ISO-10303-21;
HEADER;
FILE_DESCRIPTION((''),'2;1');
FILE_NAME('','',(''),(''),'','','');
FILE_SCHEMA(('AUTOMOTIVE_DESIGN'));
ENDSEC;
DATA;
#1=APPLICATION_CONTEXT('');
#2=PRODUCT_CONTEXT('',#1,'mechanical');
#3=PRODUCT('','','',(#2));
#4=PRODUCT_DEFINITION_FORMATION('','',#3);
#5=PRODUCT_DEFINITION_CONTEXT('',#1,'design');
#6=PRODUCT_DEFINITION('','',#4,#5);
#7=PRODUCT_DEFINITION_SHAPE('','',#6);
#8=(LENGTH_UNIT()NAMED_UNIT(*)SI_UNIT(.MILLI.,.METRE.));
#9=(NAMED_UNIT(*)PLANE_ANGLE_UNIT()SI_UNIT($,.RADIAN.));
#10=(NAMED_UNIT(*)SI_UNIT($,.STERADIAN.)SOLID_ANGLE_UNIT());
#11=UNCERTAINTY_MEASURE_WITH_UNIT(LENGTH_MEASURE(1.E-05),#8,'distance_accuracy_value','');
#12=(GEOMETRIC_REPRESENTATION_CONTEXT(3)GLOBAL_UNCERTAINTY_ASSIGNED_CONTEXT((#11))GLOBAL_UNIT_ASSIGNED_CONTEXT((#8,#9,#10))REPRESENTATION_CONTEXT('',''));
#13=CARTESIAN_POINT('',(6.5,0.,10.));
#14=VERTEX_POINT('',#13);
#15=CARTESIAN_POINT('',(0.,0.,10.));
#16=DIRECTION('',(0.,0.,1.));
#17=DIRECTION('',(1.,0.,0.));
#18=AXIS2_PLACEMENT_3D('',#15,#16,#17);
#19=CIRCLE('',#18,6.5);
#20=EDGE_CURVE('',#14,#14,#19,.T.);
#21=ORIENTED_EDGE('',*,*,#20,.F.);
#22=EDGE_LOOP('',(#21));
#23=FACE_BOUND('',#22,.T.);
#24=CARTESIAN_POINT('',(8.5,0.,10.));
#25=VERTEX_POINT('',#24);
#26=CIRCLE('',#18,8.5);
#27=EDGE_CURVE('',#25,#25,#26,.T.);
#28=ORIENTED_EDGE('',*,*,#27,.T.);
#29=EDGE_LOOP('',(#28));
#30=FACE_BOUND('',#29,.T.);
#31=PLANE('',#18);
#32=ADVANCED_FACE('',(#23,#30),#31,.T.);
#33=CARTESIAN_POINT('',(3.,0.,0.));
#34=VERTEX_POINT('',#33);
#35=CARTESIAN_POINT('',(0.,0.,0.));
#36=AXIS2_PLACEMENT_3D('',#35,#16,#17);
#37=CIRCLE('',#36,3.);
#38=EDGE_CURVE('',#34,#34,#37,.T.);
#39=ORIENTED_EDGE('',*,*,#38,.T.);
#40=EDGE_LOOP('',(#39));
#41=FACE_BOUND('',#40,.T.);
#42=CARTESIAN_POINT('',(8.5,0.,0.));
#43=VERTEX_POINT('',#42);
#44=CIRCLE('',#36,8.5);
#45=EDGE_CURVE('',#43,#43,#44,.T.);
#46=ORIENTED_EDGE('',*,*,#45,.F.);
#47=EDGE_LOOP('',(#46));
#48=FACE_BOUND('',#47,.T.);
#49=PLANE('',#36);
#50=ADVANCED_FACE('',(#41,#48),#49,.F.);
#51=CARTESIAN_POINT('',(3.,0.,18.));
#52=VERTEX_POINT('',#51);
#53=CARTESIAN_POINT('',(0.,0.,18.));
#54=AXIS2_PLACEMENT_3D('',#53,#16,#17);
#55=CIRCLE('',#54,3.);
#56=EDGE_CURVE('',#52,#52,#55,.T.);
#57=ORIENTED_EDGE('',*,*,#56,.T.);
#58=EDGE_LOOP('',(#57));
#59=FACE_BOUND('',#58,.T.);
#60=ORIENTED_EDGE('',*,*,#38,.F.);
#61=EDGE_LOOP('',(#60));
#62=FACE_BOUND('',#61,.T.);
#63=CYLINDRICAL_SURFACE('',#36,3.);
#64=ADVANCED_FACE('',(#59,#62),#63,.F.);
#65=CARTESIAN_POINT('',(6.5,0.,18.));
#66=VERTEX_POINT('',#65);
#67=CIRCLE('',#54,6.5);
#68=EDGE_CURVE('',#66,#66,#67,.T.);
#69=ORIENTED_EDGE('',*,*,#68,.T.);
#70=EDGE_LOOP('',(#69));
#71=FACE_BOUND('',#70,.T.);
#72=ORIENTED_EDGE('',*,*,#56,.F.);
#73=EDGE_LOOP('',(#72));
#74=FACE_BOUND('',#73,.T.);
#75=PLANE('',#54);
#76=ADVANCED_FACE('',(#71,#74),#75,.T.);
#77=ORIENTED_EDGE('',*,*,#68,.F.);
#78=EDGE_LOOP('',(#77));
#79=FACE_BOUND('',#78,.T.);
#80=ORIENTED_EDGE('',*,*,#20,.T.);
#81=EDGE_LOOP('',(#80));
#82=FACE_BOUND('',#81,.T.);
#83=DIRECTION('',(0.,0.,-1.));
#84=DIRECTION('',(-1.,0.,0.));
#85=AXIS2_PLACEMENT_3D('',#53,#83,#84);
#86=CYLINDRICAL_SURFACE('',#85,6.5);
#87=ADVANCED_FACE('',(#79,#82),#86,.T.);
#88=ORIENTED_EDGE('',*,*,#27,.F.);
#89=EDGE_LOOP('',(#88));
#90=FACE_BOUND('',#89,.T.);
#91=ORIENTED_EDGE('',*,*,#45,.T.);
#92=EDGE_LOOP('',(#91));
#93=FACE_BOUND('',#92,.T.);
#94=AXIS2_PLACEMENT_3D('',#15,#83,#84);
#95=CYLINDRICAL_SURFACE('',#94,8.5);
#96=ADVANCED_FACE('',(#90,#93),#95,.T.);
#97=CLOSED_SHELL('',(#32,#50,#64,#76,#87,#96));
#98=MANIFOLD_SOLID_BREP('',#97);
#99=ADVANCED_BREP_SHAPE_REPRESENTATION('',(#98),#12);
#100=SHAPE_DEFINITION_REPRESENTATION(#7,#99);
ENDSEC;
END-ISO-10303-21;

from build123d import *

# Parameters (mm, degrees)
SKETCH_1_R          = 8.5
EXTRUDE_1_DEPTH     = 10
SKETCH_2_R          = 6.5
EXTRUDE_2_DEPTH     = 8
SKETCH_3_R          = 3
CUT_EXTRUDE_1_DEPTH = 19


with BuildPart() as part:
    # 草图1 → 凸台-拉伸1 (new body)
    with BuildSketch(Plane.XY):
        Circle(SKETCH_1_R)
    extrude(amount=EXTRUDE_1_DEPTH)

    # 草图2 → 凸台-拉伸2 (add)
    with BuildSketch(Plane.XY.offset(10)):
        Circle(SKETCH_2_R)
    extrude(amount=EXTRUDE_2_DEPTH)

    # 草图3 → 切除-拉伸1 (cut, through all)
    with BuildSketch(Plane.XY.offset(18)):
        Circle(SKETCH_3_R)
    extrude(amount=-CUT_EXTRUDE_1_DEPTH, mode=Mode.SUBTRACT)


solid = part.part
